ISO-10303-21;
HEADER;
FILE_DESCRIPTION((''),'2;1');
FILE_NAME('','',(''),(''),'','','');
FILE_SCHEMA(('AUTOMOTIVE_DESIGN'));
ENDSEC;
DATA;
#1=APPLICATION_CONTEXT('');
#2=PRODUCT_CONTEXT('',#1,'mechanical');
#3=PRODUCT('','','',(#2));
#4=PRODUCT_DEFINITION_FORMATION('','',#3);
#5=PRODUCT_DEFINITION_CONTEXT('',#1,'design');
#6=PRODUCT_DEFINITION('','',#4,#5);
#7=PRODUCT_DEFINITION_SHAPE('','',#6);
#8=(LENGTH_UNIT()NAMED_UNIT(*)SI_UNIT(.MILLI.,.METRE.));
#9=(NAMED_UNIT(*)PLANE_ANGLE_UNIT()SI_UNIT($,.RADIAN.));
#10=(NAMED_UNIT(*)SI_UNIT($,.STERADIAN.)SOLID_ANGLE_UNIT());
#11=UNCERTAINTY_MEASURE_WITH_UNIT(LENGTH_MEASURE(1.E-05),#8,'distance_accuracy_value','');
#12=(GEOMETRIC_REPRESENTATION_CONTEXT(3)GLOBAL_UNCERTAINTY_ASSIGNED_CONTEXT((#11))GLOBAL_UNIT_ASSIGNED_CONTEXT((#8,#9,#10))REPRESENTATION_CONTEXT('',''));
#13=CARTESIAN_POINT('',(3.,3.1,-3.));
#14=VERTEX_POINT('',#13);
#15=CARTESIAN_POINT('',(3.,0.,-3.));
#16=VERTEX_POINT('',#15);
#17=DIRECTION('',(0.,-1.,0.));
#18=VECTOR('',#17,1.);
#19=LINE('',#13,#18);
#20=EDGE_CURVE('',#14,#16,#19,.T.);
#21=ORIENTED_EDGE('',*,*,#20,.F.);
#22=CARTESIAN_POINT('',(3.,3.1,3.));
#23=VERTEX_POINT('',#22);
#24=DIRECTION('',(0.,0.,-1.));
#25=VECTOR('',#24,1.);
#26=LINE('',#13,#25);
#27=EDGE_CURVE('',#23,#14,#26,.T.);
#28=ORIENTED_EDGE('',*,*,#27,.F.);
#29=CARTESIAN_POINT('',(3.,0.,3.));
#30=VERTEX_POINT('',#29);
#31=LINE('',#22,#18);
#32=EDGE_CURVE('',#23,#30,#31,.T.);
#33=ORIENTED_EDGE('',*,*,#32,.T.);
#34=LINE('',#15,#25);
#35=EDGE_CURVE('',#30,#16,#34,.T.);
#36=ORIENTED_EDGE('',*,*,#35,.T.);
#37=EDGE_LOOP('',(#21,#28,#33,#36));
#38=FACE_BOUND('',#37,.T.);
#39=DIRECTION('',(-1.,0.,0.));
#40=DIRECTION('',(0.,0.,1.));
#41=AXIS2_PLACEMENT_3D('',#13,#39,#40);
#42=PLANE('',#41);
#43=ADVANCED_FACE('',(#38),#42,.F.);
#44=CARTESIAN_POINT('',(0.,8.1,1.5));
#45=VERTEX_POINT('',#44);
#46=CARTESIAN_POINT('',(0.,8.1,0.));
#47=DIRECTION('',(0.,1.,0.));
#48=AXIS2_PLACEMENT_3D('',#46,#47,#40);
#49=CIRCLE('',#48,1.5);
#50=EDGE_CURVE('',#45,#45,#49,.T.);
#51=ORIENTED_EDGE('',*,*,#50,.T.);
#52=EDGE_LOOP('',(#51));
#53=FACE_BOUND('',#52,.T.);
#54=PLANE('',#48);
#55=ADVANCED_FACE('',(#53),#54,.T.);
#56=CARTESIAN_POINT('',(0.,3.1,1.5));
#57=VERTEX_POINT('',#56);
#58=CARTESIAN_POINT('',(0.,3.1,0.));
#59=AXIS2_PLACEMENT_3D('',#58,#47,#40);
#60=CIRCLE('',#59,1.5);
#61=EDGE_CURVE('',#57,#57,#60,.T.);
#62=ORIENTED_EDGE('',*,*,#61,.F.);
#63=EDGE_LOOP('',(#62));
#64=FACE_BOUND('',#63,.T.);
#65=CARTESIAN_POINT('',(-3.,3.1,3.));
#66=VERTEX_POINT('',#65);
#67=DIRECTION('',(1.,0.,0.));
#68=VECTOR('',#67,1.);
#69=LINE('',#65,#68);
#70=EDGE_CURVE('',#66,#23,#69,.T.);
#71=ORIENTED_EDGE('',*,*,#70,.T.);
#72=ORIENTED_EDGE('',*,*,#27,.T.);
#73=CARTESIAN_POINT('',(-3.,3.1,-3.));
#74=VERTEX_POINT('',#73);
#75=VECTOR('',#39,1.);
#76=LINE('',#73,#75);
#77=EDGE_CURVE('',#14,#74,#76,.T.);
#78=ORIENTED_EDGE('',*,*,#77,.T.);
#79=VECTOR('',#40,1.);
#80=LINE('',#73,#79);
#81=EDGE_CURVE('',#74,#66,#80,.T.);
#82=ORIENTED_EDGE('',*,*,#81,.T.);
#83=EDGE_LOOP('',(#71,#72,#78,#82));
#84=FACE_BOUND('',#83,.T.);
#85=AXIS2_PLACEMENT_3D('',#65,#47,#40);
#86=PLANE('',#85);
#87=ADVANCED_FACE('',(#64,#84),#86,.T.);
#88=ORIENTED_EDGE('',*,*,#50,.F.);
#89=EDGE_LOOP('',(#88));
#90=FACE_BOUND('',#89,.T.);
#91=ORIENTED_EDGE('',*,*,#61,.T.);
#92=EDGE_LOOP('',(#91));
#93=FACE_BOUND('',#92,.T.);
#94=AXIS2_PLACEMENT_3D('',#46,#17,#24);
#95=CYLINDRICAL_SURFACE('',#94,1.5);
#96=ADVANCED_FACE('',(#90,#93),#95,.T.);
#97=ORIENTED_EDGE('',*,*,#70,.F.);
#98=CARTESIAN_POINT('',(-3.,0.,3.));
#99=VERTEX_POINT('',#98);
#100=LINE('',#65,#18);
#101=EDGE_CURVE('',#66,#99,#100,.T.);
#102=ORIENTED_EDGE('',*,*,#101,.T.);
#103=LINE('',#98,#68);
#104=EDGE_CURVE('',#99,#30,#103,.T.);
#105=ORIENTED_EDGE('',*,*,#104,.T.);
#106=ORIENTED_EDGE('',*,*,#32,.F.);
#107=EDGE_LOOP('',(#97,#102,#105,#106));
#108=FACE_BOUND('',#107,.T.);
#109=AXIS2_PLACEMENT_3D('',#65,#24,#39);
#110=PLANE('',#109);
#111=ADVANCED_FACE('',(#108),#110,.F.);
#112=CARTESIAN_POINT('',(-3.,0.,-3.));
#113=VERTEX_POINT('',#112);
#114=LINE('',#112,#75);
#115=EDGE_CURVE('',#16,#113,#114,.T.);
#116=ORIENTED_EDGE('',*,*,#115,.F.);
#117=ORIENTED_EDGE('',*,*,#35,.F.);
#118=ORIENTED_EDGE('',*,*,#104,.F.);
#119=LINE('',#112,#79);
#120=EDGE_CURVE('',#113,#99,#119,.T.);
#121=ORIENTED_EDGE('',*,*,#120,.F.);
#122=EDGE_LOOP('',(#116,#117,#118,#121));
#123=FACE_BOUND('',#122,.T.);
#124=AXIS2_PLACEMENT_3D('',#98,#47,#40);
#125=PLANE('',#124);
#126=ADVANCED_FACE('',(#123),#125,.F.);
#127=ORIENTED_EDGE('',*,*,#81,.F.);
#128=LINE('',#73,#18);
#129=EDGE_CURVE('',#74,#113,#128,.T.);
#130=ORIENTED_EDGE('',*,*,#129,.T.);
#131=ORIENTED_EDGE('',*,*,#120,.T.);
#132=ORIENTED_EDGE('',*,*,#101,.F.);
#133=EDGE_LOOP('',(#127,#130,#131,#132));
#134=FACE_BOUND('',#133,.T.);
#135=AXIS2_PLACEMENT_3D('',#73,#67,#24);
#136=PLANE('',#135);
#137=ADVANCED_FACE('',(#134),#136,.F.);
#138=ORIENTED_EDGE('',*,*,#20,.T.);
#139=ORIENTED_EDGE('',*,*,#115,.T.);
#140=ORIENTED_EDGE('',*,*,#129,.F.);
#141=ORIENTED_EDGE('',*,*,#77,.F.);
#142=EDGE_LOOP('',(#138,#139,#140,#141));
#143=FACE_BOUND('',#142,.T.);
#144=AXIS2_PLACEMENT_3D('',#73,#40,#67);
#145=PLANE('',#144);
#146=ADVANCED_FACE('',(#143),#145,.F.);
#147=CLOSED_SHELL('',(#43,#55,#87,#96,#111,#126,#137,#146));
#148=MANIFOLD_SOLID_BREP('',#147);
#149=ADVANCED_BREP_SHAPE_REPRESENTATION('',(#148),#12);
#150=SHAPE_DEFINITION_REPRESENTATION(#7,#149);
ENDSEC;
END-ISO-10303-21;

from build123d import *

# Parameters (mm, degrees)
SKETCH_1_W      = 6
SKETCH_1_H      = 6
EXTRUDE_1_DEPTH = 3.1
SKETCH_2_R      = 1.5
EXTRUDE_2_DEPTH = 5


with BuildPart() as part:
    # 草图1 → 拉伸1 (new body)
    with BuildSketch(Plane(origin=(0, 0, 0), x_dir=(1, 0, 0), z_dir=(0, 1, 0))):
        Rectangle(SKETCH_1_W, SKETCH_1_H)
    extrude(amount=EXTRUDE_1_DEPTH)

    # 草图2 → 拉伸2 (add)
    with BuildSketch(Plane(origin=(0, 3.1, 0), x_dir=(-1, 0, 0), z_dir=(0, 1, 0))):
        with Locations(Location((0, 0, 0), (0, 0, 90))):
            Circle(SKETCH_2_R)
    extrude(amount=EXTRUDE_2_DEPTH)


solid = part.part
